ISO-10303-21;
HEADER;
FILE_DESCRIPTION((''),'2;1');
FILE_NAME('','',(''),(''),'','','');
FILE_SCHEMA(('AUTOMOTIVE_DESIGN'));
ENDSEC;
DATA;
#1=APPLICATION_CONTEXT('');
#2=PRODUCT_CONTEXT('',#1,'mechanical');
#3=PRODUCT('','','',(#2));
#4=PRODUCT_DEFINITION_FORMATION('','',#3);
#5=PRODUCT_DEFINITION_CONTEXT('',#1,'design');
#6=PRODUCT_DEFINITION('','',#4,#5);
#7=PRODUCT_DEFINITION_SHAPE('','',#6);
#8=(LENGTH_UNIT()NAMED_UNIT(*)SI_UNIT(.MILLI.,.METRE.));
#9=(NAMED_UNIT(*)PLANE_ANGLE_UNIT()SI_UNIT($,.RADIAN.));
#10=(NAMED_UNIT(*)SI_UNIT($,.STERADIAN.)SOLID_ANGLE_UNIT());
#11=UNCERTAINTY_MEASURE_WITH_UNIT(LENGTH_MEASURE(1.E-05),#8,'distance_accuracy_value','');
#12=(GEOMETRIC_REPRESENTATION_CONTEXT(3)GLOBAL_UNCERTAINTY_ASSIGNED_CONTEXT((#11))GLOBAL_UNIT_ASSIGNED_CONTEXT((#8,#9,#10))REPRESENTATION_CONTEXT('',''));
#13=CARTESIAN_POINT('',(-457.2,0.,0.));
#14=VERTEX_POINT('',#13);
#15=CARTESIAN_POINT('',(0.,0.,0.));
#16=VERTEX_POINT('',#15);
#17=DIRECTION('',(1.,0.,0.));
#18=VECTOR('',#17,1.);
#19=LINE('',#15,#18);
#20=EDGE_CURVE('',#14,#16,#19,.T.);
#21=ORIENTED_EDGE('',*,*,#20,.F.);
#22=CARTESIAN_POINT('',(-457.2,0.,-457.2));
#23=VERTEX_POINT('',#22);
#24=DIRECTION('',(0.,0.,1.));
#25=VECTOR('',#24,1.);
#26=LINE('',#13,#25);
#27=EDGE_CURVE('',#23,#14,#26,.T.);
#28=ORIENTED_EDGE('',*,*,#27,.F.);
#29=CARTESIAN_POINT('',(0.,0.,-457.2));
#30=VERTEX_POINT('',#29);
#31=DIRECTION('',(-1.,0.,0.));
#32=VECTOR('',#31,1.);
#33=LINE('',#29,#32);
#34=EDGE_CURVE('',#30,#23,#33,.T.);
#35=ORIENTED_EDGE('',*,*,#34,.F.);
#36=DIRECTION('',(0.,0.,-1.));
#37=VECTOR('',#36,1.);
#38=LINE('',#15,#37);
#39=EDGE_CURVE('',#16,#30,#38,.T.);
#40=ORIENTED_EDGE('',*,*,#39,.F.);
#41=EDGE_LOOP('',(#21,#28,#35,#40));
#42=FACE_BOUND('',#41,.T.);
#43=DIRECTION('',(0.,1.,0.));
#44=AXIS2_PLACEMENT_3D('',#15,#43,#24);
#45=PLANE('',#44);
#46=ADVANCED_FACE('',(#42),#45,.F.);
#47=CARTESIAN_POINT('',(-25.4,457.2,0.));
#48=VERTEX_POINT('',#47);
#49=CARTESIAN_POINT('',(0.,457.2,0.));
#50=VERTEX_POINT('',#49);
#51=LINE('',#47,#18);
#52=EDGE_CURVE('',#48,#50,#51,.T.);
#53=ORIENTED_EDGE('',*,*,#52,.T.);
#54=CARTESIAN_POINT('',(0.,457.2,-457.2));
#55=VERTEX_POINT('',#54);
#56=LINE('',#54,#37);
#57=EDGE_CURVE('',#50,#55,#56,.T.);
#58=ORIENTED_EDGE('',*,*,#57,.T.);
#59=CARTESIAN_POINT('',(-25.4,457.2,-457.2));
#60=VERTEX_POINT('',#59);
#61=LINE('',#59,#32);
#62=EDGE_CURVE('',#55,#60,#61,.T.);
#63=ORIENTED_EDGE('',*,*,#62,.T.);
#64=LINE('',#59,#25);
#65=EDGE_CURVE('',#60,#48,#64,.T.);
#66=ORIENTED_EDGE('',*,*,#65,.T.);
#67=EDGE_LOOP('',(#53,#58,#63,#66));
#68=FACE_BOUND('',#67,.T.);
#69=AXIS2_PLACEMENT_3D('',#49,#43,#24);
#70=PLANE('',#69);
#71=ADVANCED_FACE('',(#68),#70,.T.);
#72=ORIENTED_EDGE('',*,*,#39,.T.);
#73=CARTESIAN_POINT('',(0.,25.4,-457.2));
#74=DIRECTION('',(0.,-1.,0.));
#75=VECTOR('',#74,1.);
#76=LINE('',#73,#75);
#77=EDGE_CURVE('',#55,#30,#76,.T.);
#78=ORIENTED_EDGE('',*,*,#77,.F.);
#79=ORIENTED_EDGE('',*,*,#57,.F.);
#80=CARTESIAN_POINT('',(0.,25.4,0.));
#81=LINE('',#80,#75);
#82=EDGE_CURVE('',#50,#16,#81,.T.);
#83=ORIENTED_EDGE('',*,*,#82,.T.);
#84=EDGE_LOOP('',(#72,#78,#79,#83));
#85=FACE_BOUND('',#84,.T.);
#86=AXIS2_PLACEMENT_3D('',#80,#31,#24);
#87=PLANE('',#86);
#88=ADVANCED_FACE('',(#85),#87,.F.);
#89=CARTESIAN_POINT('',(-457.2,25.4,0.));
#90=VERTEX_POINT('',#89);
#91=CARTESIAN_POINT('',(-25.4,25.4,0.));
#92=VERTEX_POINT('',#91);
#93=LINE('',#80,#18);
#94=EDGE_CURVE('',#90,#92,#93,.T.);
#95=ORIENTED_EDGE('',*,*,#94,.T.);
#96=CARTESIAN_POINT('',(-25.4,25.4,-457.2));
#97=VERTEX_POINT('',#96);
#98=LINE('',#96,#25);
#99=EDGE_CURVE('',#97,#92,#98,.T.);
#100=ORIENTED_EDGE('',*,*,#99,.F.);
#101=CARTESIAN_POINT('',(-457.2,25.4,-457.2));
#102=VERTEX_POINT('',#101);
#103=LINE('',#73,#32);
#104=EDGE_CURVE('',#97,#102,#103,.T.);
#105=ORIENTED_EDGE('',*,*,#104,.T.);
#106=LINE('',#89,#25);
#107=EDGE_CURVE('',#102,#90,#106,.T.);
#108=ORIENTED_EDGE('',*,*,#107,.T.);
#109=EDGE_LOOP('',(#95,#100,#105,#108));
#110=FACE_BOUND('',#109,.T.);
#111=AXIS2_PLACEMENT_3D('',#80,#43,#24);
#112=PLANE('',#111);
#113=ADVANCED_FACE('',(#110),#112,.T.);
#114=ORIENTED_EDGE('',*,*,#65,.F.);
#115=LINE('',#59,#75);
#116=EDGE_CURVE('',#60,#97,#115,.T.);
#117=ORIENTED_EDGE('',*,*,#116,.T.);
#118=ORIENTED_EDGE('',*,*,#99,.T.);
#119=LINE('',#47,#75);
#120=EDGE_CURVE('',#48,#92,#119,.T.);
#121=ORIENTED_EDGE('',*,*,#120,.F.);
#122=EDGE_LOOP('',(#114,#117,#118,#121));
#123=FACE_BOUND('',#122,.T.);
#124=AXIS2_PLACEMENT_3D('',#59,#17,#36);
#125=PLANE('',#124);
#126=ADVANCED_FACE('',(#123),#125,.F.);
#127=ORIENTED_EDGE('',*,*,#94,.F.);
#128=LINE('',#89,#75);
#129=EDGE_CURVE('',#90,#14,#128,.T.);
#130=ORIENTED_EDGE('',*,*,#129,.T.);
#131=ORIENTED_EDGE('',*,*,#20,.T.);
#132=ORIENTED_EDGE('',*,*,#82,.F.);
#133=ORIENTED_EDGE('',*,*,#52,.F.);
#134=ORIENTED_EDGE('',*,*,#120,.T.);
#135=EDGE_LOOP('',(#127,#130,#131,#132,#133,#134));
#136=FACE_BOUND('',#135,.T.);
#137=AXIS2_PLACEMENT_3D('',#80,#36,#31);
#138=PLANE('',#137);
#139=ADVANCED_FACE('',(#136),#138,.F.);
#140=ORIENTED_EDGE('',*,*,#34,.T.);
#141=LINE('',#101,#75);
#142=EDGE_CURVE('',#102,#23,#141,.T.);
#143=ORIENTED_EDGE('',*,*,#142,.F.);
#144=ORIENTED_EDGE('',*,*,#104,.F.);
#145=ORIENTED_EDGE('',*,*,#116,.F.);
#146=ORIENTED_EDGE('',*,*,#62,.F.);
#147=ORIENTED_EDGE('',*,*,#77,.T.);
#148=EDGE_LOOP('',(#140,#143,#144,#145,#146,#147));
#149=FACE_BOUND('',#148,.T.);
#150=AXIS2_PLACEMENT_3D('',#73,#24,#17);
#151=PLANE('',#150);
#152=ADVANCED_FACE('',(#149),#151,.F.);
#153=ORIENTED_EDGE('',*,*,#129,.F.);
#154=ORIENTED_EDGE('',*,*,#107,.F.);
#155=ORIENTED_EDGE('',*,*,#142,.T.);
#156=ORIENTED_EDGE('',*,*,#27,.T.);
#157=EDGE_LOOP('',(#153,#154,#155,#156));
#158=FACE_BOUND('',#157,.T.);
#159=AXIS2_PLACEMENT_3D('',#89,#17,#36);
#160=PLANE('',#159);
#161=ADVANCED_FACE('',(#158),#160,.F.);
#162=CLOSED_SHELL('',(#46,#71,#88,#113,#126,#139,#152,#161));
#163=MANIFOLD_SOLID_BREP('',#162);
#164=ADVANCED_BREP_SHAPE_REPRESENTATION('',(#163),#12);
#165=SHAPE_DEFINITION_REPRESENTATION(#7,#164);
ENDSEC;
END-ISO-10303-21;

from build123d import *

# Parameters (mm, degrees)
SKETCH2_W           = 457.2
SKETCH2_H           = 457.2
BOSS_EXTRUDE1_DEPTH = 25.4
SKETCH3_W           = 25.4
SKETCH3_H           = 457.2
BOSS_EXTRUDE2_DEPTH = 431.8


with BuildPart() as part:
    # Sketch2 → Boss-Extrude1 (new body)
    with BuildSketch(Plane(origin=(0, 0, 0), x_dir=(1, 0, 0), z_dir=(0, 1, 0))):
        with Locations((-228.6, 228.6)):
            Rectangle(SKETCH2_W, SKETCH2_H)
    extrude(amount=BOSS_EXTRUDE1_DEPTH)

    # Sketch3 → Boss-Extrude2 (add)
    with BuildSketch(Plane(origin=(0, 25.4, 0), x_dir=(1, 0, 0), z_dir=(0, 1, 0))):
        with Locations((-12.7, 228.6)):
            Rectangle(SKETCH3_W, SKETCH3_H)
    extrude(amount=BOSS_EXTRUDE2_DEPTH)


solid = part.part
